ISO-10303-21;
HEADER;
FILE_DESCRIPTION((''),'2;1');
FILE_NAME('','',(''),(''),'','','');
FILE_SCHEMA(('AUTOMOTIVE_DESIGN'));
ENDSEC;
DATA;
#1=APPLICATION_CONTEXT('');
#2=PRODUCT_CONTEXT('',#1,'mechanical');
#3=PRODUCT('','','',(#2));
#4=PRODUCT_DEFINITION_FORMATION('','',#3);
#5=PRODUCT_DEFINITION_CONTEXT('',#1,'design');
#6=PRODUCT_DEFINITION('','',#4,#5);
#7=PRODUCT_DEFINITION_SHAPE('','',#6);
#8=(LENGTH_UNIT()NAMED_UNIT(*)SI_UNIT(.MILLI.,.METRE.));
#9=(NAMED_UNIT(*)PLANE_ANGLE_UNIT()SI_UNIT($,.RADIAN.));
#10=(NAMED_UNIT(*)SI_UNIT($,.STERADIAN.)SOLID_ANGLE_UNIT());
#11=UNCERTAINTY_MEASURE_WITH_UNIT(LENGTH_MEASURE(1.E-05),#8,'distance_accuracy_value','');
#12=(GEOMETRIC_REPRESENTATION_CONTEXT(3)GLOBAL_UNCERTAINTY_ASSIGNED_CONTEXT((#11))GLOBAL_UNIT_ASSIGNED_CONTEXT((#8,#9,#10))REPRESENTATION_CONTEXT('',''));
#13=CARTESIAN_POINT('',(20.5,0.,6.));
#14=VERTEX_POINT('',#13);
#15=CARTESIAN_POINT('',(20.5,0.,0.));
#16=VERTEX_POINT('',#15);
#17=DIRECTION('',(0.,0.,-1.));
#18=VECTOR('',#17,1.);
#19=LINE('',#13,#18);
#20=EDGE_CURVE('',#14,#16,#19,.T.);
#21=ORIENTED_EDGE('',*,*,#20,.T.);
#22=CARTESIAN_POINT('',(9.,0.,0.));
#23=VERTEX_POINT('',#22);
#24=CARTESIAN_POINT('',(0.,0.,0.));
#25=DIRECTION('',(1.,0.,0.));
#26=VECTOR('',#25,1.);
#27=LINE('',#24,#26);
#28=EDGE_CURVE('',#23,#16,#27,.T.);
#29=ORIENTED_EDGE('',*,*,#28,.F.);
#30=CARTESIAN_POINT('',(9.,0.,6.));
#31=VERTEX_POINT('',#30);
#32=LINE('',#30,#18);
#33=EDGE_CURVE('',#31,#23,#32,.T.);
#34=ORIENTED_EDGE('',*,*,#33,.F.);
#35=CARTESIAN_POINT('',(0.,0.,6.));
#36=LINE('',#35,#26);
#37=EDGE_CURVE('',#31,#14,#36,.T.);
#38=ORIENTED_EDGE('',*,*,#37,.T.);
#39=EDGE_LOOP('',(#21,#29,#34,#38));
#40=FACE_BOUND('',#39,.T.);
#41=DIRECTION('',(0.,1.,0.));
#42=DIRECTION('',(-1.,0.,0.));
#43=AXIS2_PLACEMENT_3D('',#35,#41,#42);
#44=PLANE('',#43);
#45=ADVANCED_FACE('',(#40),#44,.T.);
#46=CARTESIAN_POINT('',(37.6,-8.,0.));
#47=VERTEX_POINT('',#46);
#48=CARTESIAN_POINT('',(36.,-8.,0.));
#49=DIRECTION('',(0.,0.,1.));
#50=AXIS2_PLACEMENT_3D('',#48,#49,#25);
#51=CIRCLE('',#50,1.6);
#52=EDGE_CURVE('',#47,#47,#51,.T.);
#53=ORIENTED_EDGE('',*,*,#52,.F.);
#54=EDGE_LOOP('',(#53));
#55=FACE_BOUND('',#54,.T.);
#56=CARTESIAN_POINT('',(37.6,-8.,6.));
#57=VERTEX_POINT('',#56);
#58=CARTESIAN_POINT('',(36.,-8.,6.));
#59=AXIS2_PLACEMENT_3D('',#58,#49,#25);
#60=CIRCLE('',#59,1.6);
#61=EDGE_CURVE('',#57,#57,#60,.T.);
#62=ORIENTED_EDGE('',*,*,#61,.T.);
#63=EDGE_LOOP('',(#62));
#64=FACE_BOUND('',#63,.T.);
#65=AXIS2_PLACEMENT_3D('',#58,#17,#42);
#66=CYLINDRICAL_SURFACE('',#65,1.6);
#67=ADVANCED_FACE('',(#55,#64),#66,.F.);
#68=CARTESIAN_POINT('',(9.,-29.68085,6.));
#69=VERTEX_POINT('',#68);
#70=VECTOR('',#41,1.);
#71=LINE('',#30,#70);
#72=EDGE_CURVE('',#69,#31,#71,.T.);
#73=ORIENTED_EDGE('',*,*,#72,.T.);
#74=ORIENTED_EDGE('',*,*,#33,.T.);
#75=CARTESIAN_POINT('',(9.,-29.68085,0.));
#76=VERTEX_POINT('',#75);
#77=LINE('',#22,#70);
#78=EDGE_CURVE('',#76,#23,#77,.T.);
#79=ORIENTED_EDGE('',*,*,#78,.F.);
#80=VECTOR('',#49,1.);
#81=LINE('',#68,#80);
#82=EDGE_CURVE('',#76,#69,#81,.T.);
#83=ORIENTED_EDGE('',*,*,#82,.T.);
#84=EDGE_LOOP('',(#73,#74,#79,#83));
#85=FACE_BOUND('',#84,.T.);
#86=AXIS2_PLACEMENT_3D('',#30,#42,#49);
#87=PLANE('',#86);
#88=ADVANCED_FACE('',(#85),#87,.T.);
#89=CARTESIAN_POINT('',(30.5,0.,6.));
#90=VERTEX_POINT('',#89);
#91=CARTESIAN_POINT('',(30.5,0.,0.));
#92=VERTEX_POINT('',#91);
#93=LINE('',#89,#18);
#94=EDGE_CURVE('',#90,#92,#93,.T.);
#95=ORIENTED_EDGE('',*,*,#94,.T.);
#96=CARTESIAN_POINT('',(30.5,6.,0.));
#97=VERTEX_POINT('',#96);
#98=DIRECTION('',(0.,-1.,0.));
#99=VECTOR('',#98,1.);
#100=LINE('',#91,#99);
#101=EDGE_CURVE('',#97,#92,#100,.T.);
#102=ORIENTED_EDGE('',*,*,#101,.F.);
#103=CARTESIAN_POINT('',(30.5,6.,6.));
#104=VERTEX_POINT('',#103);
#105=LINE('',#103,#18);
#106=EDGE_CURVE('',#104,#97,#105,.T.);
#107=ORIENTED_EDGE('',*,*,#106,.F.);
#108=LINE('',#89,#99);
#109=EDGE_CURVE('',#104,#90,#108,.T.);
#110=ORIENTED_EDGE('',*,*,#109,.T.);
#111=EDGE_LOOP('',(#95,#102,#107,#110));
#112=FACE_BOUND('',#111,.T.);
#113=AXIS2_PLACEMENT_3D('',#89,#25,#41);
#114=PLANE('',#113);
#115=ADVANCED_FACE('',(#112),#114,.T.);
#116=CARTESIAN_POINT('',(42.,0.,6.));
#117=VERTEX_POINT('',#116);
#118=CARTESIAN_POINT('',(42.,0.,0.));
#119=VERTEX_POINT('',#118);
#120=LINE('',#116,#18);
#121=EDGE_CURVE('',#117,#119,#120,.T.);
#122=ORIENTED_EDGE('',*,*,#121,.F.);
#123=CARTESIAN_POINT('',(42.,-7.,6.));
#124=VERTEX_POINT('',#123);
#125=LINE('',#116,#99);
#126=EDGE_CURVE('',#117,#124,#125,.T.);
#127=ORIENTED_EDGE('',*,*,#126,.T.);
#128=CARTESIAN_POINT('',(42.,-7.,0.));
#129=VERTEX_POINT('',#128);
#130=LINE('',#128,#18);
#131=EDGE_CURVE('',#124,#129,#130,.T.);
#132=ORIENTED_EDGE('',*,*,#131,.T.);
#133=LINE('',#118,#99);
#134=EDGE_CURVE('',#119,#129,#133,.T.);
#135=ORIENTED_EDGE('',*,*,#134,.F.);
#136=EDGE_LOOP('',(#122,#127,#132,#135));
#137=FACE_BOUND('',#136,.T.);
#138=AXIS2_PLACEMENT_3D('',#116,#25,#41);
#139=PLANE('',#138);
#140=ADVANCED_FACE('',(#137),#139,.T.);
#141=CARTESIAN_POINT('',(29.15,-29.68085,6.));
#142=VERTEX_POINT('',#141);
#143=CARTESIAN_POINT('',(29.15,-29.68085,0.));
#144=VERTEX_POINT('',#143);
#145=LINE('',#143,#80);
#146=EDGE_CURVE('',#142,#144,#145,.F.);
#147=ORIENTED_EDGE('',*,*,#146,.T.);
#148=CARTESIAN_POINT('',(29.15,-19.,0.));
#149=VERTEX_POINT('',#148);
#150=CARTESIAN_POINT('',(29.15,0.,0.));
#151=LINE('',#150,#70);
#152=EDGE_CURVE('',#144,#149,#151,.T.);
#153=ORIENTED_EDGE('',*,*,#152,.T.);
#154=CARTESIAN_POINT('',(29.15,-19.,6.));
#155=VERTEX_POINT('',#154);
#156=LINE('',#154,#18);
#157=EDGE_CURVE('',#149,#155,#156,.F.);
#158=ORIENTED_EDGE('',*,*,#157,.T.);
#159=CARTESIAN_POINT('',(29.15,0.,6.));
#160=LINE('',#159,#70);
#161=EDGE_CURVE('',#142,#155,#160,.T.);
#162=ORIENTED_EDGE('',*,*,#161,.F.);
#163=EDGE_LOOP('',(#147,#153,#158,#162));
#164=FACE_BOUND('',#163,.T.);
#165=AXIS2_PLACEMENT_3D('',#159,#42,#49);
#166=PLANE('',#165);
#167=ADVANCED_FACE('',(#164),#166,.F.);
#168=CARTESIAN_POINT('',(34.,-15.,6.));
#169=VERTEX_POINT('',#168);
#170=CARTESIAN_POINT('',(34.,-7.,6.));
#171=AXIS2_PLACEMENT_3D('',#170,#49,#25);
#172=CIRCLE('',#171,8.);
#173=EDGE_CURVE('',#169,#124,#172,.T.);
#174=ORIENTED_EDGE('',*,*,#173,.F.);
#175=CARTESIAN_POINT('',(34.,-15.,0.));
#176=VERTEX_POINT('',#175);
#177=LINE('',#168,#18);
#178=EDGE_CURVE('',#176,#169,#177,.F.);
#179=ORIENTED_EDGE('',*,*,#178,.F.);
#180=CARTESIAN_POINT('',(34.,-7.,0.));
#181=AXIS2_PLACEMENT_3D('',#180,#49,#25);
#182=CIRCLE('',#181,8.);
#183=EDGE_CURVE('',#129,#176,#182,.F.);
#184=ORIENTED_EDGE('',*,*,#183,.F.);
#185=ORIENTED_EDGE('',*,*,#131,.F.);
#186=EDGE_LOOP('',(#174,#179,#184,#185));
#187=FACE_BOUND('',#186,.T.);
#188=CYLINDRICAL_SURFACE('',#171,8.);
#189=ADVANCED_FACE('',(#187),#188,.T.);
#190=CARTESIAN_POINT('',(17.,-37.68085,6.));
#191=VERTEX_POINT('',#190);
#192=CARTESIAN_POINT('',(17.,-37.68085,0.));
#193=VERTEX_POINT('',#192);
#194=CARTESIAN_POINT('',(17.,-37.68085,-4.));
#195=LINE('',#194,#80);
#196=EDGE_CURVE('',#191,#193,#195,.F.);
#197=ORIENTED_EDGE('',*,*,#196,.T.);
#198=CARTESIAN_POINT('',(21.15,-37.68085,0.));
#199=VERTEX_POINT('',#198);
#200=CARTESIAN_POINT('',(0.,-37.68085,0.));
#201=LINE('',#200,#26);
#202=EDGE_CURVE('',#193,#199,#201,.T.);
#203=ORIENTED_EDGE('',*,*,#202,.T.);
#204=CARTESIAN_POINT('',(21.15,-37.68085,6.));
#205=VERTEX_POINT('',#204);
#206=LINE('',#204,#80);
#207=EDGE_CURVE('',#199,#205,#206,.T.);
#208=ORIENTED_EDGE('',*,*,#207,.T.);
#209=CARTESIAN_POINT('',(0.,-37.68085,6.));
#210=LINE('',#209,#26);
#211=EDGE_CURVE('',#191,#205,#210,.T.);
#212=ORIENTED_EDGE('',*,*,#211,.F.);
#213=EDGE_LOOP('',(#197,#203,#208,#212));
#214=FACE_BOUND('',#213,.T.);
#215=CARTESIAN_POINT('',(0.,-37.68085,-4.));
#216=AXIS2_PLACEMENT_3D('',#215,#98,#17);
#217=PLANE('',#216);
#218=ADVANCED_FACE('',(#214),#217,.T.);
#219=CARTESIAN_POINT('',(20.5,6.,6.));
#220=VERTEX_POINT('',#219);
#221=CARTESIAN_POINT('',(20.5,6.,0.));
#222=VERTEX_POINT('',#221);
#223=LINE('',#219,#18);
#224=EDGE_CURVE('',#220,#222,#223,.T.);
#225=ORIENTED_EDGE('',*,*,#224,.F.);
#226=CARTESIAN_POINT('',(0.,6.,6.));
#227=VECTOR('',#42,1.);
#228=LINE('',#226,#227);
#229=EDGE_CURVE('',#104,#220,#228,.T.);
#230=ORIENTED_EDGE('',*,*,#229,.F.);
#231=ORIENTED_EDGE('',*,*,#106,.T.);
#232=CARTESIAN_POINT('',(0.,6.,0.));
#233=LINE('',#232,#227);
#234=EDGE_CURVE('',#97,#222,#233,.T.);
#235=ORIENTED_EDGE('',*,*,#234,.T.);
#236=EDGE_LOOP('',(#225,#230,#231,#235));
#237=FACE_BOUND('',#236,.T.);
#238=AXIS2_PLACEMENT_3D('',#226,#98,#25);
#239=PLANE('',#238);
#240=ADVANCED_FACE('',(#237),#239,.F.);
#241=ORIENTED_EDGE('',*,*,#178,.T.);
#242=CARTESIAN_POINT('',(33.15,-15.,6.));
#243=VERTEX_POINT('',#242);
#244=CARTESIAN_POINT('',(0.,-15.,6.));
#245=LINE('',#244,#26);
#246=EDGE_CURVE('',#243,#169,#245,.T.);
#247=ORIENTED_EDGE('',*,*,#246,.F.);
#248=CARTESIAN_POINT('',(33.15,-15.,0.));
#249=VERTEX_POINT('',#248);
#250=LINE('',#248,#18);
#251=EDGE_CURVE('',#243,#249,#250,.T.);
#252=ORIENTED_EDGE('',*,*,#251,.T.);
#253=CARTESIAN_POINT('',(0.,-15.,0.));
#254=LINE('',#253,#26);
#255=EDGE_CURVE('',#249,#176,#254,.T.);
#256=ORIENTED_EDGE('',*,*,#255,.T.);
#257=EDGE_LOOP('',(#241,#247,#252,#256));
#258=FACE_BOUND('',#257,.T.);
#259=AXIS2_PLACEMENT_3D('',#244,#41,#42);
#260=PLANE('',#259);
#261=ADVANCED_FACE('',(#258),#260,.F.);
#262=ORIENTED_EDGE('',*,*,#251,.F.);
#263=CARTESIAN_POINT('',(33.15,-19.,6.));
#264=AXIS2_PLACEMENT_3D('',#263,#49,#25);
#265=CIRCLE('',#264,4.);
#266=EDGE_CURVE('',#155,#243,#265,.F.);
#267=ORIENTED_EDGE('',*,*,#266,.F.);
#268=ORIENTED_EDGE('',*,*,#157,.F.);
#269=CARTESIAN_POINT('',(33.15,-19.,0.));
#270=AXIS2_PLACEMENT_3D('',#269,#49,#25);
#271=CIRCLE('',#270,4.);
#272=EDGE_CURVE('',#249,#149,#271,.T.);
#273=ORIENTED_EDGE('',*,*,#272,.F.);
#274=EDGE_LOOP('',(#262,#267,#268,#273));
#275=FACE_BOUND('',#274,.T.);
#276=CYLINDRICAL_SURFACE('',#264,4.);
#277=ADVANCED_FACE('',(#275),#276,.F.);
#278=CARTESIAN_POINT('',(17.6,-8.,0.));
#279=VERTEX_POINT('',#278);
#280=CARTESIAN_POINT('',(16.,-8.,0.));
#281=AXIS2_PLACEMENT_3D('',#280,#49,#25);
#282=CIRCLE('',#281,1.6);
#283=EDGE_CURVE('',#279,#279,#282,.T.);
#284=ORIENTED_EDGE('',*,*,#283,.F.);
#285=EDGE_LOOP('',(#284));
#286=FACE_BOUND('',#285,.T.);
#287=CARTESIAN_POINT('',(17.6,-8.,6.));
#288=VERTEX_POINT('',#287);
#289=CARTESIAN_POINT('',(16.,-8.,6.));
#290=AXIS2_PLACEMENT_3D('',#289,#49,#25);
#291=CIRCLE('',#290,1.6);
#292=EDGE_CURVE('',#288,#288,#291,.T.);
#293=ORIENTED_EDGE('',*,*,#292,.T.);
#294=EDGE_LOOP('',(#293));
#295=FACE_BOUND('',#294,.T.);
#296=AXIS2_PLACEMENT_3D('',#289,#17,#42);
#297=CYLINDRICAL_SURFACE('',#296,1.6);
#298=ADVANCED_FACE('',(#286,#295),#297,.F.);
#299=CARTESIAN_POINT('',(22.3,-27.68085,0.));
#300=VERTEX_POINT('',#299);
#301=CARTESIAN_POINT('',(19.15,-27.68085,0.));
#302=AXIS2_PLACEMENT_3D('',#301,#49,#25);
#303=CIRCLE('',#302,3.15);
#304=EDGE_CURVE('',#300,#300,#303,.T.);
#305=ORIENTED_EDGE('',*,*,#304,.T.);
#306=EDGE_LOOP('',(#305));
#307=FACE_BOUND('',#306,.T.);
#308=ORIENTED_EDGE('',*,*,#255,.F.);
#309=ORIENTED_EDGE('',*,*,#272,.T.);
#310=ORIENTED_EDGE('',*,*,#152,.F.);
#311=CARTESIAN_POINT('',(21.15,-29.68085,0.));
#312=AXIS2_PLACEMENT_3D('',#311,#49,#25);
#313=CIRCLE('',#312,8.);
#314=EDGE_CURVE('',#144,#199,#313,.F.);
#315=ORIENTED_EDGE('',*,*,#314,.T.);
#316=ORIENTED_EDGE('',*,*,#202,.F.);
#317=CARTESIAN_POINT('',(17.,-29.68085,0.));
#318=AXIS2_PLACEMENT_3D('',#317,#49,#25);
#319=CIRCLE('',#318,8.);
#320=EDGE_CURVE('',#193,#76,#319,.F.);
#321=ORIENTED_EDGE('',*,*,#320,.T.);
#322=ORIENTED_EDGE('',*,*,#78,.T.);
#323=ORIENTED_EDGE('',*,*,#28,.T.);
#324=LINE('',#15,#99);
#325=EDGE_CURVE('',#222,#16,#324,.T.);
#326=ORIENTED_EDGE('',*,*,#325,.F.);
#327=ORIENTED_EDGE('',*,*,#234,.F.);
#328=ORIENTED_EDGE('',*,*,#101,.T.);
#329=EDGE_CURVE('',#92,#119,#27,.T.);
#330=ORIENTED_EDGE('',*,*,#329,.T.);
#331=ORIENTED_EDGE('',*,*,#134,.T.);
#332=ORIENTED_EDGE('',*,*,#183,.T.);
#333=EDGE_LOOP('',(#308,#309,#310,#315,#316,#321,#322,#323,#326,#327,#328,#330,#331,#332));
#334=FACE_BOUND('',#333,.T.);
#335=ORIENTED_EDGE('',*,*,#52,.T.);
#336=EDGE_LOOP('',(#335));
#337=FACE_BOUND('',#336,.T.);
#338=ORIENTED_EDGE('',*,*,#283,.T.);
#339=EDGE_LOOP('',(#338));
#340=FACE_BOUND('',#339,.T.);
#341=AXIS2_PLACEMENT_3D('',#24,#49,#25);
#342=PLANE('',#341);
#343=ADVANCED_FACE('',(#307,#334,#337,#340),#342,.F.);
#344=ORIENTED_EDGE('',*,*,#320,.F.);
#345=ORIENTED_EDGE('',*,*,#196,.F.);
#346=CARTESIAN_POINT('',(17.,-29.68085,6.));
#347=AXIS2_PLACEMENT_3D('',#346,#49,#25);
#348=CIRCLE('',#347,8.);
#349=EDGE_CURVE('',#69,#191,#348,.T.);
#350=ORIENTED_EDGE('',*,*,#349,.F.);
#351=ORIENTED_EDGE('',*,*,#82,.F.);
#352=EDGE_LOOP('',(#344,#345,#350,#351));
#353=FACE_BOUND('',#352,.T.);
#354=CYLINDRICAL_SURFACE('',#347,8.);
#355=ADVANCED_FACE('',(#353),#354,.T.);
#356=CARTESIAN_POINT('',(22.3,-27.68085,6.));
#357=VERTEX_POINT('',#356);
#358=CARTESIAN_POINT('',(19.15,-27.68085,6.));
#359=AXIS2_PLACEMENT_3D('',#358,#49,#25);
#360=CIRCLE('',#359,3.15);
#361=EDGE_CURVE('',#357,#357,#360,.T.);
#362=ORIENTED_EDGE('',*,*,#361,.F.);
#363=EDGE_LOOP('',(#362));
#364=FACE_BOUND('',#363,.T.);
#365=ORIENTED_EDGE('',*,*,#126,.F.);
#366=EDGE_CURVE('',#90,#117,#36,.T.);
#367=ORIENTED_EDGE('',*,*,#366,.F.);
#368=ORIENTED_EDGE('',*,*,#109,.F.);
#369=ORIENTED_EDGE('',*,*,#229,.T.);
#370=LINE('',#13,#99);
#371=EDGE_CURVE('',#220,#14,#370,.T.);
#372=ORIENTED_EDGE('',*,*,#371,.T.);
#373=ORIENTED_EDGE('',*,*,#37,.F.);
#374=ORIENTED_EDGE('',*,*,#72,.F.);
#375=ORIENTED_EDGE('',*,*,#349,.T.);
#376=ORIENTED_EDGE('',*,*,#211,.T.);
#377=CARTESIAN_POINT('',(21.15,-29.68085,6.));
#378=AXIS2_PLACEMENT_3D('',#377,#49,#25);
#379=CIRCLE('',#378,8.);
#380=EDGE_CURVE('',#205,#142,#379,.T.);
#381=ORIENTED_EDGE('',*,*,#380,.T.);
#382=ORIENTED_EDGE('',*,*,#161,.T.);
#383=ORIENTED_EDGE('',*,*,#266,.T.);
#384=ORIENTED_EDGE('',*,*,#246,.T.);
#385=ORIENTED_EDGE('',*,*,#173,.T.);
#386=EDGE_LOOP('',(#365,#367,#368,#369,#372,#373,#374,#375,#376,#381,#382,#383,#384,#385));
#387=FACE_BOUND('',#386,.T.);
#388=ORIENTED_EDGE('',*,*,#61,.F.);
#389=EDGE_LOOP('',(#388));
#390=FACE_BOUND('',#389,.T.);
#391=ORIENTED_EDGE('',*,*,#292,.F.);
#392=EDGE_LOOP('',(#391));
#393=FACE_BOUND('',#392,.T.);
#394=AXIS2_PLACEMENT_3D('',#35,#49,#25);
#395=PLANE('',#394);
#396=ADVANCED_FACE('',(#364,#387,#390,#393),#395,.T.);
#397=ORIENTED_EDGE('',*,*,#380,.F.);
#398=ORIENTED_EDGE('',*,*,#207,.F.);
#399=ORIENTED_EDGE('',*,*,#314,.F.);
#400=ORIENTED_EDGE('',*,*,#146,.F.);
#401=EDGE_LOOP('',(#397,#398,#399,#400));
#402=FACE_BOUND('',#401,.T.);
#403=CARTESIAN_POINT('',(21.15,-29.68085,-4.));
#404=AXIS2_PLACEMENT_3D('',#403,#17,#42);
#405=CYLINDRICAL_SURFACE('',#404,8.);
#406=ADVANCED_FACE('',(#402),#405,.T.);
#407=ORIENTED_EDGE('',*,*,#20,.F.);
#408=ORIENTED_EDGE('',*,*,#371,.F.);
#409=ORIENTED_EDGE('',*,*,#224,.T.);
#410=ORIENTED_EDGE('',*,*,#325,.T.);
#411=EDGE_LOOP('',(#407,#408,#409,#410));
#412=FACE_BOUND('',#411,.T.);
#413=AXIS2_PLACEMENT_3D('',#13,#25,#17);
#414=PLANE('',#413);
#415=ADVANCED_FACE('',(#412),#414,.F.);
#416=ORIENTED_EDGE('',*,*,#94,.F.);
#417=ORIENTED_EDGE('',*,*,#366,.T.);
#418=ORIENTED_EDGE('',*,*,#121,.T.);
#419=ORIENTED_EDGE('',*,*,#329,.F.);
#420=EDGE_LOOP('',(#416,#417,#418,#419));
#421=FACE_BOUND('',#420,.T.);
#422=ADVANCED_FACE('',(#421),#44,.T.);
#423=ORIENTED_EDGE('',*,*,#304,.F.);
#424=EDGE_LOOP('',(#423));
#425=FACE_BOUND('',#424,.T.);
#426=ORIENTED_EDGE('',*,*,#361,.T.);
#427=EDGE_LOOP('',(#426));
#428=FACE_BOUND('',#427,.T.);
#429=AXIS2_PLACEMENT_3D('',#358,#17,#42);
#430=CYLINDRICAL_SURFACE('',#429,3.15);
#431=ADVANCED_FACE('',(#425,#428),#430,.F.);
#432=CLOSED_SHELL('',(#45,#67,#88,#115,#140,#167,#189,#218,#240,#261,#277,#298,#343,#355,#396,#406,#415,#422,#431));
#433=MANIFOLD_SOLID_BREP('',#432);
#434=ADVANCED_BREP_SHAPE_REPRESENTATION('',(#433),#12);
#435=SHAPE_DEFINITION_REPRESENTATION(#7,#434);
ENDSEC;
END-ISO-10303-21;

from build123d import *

# Parameters (mm, degrees)
ESBO_O1_R                = 3.15
ESBO_O1_R_2              = 1.6
RESSALTO_EXTRUS_O1_DEPTH = 6
FILETE3_R                = 4
ESBO_O2_W                = 20.15
ESBO_O2_H                = 7.319150415
CORTE_EXTRUS_O1_DEPTH    = 10
FILETE2_R                = 8


with BuildPart() as part:
    # Esboço1 → Ressalto-extrusão1 (new body)
    with BuildSketch(Plane.XY):
        Polygon((20.5, 0), (9, 0), (9, -19), (0, -19), (0, -29), (6, -29), (6, -39), (0, -39), (0, -45), (29.15, -45), (29.15, -15), (42, -15), (42, 0), (30.5, 0), (30.5, 6), (20.5, 6), align=None)
        with Locations((19.15, -27.680849585)):
            Circle(ESBO_O1_R, mode=Mode.SUBTRACT)
        with Locations((16, -8)):
            Circle(ESBO_O1_R_2, mode=Mode.SUBTRACT)
        with Locations((36, -8)):
            Circle(ESBO_O1_R_2, mode=Mode.SUBTRACT)
    extrude(amount=RESSALTO_EXTRUS_O1_DEPTH)

    # Filete3
    filete3_edges = [part.edges().sort_by_distance(p)[0] for p in [
        (29.15, -15, 3),
    ]]
    fillet(filete3_edges, radius=FILETE3_R)

    # Esboço2 → Corte-extrusão1 (cut)
    with BuildSketch(Plane.XY.offset(6)):
        Polygon((9, -19), (0, -19), (0, -29), (6, -29), (6, -39), (0, -39), (0, -45), (9, -45), (9, -37.680849585), align=None)
        with Locations((19.075, -41.340424793)):
            Rectangle(ESBO_O2_W, ESBO_O2_H)
    extrude(amount=-CORTE_EXTRUS_O1_DEPTH, mode=Mode.SUBTRACT)

    # Filete2
    filete2_edges = [part.edges().sort_by_distance(p)[0] for p in [
        (42, -15, 3),
        (9, -37.680849585, 3),
        (29.15, -37.680849585, 3),
    ]]
    fillet(filete2_edges, radius=FILETE2_R)


solid = part.part
